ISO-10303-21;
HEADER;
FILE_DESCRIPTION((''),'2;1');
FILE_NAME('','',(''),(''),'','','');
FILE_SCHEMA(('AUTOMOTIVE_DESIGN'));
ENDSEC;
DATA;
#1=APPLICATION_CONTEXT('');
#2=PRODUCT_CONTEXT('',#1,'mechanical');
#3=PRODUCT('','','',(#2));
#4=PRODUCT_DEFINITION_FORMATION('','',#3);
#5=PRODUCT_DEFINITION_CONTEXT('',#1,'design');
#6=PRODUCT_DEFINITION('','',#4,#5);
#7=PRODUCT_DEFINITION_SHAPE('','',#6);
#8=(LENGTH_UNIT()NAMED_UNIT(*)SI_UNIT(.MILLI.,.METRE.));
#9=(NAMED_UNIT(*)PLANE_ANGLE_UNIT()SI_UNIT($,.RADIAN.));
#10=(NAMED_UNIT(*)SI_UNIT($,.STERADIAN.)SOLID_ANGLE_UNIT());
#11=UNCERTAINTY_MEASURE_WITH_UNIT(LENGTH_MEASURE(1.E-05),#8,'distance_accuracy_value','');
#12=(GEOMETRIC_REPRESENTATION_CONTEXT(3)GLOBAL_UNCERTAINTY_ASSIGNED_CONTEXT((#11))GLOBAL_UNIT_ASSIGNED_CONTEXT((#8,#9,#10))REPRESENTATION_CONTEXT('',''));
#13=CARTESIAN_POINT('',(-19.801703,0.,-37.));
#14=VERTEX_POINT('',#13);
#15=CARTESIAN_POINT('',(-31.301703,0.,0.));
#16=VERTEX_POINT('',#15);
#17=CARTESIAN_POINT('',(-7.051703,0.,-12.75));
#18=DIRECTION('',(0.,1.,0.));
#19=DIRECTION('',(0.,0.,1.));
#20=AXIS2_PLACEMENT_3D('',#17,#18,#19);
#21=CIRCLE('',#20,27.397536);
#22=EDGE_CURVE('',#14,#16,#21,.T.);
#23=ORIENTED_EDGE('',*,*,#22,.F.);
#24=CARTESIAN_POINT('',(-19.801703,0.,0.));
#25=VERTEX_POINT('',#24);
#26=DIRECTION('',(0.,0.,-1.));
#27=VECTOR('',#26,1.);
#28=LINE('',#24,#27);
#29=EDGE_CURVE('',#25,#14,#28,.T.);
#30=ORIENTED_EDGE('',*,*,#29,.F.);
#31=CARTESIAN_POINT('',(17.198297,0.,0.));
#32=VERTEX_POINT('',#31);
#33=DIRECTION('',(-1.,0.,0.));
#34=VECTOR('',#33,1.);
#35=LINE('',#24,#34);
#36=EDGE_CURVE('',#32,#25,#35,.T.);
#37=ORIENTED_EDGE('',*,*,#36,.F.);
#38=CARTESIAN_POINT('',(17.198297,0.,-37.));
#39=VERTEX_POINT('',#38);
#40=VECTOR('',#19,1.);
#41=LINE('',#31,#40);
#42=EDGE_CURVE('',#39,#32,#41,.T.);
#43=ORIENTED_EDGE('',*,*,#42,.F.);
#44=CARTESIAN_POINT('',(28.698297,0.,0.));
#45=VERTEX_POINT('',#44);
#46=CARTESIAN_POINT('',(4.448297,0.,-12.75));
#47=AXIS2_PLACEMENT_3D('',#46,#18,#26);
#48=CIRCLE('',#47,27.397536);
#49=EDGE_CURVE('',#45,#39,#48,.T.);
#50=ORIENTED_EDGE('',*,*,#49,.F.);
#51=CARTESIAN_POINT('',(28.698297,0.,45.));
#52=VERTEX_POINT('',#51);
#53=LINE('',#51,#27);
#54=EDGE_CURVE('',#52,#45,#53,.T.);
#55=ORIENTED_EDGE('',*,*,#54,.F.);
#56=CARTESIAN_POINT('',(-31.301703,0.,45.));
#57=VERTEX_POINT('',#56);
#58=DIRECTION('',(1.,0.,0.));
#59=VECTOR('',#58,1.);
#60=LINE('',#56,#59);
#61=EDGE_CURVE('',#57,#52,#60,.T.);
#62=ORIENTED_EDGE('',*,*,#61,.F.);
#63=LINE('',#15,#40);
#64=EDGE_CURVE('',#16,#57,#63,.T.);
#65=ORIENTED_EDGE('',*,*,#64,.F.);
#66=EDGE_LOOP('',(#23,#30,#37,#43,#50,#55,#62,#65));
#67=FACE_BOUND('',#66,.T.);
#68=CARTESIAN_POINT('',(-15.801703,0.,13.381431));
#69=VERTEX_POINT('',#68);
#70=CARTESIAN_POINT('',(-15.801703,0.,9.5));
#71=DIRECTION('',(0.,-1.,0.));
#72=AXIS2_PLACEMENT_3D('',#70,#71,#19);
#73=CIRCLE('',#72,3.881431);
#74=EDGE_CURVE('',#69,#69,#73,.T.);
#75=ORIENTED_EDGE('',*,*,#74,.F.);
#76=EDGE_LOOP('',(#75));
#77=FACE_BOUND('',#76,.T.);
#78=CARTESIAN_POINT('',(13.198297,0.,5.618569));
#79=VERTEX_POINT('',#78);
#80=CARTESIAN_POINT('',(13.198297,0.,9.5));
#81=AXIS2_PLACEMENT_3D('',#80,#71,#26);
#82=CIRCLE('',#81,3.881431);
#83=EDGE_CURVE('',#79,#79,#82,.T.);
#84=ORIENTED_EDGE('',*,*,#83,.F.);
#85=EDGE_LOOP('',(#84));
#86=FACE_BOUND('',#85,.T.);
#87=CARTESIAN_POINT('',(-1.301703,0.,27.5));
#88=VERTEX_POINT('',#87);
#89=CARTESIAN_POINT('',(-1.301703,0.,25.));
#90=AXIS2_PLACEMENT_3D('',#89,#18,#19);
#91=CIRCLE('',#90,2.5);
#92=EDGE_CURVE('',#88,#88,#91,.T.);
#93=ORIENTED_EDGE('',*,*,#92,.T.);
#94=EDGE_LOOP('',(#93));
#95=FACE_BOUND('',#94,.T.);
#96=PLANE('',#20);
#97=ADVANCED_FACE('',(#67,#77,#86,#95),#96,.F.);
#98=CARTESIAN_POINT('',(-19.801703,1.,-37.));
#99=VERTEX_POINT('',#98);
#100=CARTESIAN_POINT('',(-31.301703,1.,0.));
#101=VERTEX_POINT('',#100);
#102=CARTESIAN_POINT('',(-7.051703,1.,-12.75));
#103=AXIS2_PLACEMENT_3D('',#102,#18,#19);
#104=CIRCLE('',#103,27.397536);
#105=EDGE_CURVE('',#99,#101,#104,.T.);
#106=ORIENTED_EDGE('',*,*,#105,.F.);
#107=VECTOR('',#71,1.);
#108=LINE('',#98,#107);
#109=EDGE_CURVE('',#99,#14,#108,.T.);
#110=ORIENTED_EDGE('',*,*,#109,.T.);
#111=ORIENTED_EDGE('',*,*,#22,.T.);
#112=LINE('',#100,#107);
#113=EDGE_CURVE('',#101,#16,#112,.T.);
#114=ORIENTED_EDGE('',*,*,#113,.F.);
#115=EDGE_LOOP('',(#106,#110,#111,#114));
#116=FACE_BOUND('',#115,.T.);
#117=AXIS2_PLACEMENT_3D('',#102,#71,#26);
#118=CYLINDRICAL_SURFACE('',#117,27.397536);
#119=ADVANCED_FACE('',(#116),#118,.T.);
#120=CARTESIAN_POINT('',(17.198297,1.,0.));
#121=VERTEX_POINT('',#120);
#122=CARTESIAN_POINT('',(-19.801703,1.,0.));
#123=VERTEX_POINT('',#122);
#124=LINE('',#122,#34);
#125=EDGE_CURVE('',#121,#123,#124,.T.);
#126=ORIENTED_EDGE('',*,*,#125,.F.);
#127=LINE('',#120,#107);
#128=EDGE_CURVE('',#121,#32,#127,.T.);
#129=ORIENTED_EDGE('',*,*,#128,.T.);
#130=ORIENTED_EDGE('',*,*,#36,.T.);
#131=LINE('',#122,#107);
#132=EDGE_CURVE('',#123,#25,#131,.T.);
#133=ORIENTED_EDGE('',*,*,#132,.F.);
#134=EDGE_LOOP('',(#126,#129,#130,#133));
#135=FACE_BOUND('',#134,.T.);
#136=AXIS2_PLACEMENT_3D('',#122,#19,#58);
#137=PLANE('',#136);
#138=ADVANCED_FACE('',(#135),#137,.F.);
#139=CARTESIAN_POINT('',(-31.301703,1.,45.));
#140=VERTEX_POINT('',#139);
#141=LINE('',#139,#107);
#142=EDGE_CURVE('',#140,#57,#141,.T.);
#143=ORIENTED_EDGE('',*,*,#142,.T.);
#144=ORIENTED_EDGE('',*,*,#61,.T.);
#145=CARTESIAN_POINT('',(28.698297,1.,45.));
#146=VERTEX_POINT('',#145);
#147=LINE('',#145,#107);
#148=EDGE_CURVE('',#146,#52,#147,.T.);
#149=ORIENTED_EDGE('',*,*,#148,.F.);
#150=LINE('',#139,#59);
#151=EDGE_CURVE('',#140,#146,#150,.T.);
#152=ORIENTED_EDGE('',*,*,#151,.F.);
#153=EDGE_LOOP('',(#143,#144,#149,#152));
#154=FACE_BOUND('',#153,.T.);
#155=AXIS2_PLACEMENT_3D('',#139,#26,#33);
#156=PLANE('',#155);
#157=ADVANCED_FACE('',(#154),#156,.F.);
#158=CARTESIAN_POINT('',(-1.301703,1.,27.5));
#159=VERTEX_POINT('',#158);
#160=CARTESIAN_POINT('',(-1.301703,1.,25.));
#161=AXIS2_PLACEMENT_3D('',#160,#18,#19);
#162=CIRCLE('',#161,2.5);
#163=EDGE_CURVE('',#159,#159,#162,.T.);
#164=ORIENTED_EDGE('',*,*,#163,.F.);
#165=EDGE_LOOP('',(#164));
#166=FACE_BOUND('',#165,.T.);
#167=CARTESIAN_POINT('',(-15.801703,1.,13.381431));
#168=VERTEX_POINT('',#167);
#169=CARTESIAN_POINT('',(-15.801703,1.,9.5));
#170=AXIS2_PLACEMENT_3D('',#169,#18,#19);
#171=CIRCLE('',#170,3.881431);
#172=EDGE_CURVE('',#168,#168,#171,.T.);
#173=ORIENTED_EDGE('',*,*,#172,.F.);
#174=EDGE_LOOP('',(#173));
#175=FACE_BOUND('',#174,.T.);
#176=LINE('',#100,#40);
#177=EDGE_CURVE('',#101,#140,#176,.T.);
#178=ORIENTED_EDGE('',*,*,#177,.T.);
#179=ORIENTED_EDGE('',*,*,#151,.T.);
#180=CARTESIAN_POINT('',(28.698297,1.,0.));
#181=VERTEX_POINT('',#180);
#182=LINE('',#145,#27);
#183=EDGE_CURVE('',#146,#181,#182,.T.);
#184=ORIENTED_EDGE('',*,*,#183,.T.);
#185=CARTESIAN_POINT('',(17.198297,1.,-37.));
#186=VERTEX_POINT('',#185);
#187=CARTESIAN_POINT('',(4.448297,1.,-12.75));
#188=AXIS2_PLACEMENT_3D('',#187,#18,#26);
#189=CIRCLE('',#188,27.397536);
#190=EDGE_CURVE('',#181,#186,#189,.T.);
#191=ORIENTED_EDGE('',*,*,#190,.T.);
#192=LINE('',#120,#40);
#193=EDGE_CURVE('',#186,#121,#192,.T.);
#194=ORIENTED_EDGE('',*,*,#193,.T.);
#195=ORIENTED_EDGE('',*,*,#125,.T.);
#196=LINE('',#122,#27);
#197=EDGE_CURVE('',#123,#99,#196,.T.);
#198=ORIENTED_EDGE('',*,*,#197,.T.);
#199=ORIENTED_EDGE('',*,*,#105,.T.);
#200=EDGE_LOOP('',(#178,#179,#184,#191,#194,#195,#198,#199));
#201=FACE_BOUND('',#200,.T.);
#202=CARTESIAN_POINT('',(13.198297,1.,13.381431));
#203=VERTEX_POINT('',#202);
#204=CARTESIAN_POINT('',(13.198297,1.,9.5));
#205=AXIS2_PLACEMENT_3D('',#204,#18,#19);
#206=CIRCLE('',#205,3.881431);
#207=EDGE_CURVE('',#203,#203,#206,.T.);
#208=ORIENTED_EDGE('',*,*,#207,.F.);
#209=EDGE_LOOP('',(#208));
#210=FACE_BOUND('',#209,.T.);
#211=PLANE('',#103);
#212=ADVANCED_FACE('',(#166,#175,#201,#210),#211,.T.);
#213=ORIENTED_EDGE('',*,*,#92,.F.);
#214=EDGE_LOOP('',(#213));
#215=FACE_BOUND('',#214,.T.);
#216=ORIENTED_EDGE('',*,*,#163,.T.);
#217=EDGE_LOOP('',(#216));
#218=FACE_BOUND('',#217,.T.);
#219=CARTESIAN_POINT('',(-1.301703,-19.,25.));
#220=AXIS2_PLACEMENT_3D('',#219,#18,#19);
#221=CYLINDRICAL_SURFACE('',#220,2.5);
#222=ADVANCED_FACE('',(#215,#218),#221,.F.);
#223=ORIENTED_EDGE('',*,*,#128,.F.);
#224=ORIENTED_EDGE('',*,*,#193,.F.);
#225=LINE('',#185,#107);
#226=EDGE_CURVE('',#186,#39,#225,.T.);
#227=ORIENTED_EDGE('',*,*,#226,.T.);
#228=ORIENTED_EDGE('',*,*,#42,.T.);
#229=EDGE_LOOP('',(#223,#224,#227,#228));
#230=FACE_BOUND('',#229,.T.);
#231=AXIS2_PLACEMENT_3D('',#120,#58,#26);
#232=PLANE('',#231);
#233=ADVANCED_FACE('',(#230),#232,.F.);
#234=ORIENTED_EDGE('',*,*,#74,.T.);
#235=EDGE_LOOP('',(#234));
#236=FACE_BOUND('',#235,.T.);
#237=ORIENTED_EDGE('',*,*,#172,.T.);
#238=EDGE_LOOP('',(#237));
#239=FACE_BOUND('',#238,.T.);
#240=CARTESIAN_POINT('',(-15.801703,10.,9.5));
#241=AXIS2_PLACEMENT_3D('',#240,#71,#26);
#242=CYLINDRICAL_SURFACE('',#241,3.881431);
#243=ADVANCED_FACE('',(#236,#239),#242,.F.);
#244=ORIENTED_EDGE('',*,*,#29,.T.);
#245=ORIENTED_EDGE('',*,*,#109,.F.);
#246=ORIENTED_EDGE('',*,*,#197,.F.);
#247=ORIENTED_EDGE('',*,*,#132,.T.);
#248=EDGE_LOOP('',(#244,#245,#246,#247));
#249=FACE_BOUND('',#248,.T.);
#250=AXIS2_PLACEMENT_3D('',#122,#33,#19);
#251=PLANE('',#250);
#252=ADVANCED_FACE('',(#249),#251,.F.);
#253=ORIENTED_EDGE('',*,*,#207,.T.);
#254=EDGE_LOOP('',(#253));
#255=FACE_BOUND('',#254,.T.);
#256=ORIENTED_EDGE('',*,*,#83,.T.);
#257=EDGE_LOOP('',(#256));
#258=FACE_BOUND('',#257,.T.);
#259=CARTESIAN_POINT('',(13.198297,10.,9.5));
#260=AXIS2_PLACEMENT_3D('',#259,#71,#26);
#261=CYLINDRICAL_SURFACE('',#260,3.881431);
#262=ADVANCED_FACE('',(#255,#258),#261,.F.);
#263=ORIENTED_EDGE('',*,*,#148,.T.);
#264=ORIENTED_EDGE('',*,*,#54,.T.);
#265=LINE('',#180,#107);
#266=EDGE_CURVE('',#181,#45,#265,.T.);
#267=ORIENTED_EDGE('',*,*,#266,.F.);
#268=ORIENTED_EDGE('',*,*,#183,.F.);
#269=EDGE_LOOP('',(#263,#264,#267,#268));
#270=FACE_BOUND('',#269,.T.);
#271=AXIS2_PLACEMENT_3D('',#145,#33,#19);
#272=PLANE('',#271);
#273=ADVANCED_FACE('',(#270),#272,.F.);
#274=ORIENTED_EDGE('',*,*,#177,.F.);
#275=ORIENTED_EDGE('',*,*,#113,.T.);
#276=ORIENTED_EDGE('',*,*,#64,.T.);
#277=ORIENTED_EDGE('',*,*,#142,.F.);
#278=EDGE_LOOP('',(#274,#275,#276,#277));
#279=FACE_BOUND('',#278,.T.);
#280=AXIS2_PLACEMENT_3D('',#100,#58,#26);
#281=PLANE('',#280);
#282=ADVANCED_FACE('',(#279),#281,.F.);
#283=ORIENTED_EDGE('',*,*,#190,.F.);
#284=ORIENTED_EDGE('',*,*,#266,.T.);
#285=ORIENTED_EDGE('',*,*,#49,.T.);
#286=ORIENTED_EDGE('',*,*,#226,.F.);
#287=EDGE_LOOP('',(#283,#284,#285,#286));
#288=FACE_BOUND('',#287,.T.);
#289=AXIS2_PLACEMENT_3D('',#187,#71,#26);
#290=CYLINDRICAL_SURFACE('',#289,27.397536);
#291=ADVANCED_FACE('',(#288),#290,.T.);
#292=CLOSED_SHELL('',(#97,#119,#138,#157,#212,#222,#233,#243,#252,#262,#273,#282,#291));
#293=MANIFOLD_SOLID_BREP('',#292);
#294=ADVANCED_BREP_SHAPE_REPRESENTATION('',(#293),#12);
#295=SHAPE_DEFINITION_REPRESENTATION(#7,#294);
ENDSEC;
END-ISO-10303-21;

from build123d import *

# Parameters (mm, degrees)
BOSS_EXTRUDE1_DEPTH = 1
SKETCH2_R           = 2.5
CUT_EXTRUDE1_DEPTH  = 20
SKETCH3_W           = 5
SKETCH3_H           = 5
CUT_EXTRUDE2_DEPTH  = 10
SKETCH4_R           = 3.881431072
CUT_EXTRUDE3_DEPTH  = 10


with BuildPart() as part:
    # Sketch1 → Boss-Extrude1 (new body)
    with BuildSketch(Plane(origin=(0, 0, 0), x_dir=(1, 0, 0), z_dir=(0, 1, 0))):
        with BuildLine():
            Line((-19.801702617, 0), (17.198297383, 0))
            Line((17.198297383, 0), (17.198297383, 37))
            ThreePointArc((17.198297383, 37), (30.611248287, 20.881727984), (28.698297383, 0))
            Line((28.698297383, 0), (28.698297383, -45))
            Line((28.698297383, -45), (-31.301702617, -45))
            Line((-31.301702617, -45), (-31.301702617, 0))
            ThreePointArc((-31.301702617, 0), (-33.214653521, 20.881727984), (-19.801702617, 37))
            Line((-19.801702617, 37), (-19.801702617, 0))
        make_face()
    extrude(amount=BOSS_EXTRUDE1_DEPTH)

    # Sketch2 → Cut-Extrude1 (cut)
    with BuildSketch(Plane(origin=(0, 1, 0), x_dir=(1, 0, 0), z_dir=(0, 1, 0))):
        with Locations(Location((-1.301702617, -25, 0), (0, 0, 270))):
            Circle(SKETCH2_R)
    extrude(amount=-CUT_EXTRUDE1_DEPTH, mode=Mode.SUBTRACT)

    # Sketch3 → Cut-Extrude2 (cut)
    with BuildSketch(Plane.XZ):
        with Locations((13.198297383, 9.5)):
            Rectangle(SKETCH3_W, SKETCH3_H)
        with Locations((-15.801702617, 9.5)):
            Rectangle(SKETCH3_W, SKETCH3_H)
    extrude(amount=-CUT_EXTRUDE2_DEPTH, mode=Mode.SUBTRACT)

    # Sketch4 → Cut-Extrude3 (cut)
    with BuildSketch(Plane.XZ):
        with Locations(Location((13.198297383, 9.5, 0), (0, 0, 270))):
            Circle(SKETCH4_R)
        with Locations(Location((-15.801702617, 9.5, 0), (0, 0, 90))):
            Circle(SKETCH4_R)
    extrude(amount=-CUT_EXTRUDE3_DEPTH, mode=Mode.SUBTRACT)


solid = part.part
